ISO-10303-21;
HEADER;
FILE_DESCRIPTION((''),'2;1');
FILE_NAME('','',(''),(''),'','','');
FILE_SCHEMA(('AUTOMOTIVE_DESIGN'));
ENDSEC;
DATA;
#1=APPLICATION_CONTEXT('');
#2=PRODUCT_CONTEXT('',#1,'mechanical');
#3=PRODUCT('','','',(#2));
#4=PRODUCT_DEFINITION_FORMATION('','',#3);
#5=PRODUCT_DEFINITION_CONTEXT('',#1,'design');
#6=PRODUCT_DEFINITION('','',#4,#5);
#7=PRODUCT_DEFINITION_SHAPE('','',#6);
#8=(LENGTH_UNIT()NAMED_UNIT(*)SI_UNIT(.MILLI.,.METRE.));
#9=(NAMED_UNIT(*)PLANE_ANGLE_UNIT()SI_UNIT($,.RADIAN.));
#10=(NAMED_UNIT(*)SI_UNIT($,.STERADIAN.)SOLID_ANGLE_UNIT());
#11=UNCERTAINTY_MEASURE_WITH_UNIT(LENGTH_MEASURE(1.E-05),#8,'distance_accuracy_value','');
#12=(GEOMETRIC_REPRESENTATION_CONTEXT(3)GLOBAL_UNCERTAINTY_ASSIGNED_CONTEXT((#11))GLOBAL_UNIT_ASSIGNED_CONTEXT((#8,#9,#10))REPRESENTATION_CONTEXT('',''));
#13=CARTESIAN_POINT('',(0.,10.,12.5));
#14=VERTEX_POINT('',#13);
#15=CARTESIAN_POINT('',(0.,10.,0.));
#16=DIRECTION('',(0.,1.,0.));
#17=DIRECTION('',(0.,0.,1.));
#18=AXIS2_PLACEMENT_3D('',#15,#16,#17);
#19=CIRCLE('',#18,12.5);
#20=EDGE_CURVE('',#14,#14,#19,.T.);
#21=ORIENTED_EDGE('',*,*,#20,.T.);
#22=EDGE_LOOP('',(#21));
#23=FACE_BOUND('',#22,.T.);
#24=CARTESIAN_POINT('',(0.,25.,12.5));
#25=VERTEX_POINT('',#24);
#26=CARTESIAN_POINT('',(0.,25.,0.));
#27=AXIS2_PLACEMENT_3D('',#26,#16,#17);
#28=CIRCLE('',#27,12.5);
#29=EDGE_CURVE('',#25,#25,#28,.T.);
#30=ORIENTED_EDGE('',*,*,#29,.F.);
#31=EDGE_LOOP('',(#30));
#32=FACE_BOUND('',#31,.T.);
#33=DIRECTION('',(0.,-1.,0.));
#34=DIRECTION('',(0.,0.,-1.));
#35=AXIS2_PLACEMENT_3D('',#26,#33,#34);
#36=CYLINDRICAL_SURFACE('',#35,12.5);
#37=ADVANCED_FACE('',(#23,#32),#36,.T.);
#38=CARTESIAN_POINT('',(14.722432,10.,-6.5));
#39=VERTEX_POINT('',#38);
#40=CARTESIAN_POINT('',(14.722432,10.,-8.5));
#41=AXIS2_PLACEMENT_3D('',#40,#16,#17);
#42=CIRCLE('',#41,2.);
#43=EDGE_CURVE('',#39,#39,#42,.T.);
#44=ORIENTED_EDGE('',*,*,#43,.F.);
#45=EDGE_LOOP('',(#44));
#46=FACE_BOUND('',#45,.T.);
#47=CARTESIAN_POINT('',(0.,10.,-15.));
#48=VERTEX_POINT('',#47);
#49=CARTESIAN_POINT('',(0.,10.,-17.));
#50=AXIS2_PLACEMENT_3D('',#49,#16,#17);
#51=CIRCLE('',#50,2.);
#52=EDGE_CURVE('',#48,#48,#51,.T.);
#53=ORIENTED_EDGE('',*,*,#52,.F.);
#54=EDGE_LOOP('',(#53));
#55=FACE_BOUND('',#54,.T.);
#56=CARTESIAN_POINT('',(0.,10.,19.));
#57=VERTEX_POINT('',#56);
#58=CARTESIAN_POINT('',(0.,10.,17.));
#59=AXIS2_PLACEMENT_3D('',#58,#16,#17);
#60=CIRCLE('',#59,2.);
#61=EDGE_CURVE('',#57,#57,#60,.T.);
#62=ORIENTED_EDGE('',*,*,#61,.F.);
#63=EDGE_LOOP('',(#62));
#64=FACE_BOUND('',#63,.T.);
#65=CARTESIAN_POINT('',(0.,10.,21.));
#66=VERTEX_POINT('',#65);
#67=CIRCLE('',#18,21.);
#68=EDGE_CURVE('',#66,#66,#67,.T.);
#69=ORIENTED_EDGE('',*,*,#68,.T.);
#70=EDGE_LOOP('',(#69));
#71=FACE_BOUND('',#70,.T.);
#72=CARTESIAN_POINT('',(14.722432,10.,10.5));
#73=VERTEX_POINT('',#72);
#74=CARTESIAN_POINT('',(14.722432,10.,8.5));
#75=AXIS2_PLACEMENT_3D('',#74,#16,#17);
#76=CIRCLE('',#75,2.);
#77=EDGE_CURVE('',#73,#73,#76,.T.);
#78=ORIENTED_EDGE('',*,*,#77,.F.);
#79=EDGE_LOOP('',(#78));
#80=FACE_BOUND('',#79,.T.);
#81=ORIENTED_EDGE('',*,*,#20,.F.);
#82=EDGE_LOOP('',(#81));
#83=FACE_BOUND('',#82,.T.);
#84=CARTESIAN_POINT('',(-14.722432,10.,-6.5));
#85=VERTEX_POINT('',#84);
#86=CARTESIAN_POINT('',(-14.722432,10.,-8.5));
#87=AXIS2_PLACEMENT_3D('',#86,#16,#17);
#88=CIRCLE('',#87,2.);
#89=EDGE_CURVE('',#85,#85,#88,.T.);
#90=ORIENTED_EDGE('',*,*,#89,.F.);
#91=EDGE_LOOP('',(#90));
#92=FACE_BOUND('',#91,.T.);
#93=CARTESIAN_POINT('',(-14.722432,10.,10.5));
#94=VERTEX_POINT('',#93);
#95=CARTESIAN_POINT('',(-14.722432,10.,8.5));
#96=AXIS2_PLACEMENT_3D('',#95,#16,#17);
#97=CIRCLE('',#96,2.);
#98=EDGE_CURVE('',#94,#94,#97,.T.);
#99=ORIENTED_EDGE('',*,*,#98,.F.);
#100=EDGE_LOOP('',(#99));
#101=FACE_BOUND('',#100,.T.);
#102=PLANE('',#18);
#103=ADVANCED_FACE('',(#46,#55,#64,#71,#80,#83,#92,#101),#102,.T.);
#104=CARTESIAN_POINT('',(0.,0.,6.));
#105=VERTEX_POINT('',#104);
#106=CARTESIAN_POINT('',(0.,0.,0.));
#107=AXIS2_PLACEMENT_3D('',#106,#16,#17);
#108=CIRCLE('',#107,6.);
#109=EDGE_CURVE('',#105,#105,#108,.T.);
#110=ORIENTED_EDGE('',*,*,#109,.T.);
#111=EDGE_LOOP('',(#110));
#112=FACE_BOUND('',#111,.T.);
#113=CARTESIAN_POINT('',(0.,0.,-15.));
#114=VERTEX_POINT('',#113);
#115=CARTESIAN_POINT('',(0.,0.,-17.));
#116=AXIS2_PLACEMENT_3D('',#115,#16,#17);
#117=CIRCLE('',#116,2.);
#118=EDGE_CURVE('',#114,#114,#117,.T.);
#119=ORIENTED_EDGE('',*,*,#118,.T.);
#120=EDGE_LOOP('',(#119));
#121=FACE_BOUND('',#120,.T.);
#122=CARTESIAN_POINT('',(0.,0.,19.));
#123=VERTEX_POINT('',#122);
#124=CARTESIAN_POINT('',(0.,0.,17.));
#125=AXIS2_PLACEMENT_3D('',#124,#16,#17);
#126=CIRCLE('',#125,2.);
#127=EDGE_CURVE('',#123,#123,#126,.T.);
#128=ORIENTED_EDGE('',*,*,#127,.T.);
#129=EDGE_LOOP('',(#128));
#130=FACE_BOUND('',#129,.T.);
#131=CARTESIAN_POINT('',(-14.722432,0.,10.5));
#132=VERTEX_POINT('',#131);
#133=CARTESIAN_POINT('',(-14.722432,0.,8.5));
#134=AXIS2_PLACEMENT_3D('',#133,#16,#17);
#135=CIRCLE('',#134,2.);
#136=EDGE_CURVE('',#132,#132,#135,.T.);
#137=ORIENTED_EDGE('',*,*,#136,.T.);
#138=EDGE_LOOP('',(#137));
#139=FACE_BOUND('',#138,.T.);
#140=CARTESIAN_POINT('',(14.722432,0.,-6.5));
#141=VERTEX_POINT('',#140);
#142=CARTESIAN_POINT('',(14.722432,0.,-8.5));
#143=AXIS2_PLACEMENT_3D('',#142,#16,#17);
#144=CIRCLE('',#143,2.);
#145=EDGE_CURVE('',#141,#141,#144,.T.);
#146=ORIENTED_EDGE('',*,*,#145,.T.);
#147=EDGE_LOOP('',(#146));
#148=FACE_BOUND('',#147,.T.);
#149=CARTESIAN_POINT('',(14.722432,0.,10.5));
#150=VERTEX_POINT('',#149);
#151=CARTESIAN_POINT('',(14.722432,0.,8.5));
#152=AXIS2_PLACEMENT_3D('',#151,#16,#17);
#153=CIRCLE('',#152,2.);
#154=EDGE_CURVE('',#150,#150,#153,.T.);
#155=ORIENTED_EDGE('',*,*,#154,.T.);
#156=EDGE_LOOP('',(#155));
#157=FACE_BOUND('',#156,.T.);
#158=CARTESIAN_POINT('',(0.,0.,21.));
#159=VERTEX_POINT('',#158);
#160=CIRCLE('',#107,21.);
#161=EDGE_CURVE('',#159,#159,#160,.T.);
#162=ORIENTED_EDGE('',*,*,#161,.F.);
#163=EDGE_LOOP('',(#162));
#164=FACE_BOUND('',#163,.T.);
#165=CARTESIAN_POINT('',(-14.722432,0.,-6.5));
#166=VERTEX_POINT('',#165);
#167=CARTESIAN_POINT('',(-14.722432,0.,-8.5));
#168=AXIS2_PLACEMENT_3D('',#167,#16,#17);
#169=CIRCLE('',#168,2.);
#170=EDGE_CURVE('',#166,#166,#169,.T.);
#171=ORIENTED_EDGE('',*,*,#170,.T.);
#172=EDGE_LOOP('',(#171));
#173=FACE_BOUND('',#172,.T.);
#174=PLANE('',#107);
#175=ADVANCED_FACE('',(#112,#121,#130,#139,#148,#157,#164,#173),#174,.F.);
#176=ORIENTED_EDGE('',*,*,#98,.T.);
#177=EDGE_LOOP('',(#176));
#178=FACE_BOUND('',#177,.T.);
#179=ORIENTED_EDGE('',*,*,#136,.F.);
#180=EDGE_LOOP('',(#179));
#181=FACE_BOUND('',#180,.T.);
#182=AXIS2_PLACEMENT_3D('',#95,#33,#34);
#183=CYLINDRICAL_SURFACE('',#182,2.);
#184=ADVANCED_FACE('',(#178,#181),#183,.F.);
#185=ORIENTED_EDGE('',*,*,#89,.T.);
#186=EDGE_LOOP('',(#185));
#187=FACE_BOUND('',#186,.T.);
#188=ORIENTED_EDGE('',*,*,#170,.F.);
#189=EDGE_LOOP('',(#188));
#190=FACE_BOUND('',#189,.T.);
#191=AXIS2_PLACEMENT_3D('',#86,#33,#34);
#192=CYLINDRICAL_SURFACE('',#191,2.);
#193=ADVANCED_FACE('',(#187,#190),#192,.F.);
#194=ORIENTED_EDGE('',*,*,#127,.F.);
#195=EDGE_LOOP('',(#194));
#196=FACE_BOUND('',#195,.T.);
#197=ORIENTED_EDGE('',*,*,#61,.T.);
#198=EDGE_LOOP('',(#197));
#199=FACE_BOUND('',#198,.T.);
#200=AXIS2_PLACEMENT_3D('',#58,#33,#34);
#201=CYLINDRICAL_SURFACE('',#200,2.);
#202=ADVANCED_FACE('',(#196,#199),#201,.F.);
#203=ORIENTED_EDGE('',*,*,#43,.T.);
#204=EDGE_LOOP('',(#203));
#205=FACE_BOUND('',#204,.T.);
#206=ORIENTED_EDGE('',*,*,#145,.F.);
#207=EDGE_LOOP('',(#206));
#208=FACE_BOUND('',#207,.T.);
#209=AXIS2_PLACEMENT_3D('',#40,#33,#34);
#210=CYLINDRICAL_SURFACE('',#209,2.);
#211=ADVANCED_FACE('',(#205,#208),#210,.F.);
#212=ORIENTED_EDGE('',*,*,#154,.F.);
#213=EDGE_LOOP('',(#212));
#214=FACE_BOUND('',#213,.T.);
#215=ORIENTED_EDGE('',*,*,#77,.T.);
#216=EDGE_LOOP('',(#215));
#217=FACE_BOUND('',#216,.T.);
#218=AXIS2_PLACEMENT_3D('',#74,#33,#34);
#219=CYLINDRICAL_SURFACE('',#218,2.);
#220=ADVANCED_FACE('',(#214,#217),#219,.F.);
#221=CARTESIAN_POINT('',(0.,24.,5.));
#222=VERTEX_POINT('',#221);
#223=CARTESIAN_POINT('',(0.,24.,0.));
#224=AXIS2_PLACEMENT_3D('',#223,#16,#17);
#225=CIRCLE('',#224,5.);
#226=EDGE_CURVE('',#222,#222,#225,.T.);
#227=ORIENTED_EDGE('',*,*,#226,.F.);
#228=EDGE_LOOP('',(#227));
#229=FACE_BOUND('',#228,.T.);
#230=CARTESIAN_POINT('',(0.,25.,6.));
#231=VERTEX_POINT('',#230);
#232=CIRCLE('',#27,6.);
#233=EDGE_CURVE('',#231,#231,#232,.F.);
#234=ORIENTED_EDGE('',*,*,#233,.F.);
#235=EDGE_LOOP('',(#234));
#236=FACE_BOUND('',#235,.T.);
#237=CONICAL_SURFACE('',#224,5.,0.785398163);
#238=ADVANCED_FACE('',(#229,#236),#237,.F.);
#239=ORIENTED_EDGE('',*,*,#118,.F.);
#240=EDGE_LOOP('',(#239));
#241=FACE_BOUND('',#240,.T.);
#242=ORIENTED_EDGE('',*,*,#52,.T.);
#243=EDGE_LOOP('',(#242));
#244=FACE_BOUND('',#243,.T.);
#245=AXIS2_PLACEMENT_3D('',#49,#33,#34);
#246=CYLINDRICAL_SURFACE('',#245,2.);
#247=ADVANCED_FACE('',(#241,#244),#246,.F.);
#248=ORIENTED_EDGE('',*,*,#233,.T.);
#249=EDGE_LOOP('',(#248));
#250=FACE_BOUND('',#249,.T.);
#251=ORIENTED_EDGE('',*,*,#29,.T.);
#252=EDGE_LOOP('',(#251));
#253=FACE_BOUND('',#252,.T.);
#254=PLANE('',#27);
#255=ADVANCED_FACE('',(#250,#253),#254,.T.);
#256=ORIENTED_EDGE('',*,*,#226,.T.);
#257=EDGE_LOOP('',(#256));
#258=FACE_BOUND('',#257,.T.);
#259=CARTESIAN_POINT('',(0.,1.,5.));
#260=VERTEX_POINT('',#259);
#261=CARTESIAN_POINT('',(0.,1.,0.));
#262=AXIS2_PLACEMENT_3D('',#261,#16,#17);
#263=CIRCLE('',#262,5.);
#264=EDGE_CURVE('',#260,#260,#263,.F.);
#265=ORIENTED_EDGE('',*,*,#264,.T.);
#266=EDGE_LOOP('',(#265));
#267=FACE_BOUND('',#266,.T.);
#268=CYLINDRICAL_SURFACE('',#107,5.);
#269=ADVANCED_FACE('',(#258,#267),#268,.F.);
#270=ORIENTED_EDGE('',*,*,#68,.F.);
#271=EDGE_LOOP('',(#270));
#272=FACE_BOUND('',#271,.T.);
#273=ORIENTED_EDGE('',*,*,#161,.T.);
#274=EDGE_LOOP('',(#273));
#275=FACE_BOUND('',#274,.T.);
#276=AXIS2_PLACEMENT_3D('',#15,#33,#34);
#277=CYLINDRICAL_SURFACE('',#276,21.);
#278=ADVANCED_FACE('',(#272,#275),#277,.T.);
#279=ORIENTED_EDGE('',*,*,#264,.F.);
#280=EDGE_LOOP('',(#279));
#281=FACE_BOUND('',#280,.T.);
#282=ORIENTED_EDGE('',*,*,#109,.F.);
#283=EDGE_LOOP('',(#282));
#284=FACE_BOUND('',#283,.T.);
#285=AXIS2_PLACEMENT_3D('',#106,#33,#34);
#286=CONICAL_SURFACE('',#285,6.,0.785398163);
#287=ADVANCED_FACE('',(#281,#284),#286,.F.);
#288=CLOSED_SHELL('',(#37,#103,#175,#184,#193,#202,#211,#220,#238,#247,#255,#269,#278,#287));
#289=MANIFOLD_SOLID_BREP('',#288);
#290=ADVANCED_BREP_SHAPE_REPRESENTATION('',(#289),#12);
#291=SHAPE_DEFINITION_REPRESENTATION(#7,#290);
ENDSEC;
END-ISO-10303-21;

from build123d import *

# Parameters (mm, degrees)
SKETCH1_R           = 21
SKETCH1_R_2         = 2
BOSS_EXTRUDE1_DEPTH = 10
SKETCH2_R           = 12.5
BOSS_EXTRUDE2_DEPTH = 15
SKETCH3_R           = 5
CUT_EXTRUDE1_DEPTH  = 39.820097888
CHAMFER1_SIZE       = 1


with BuildPart() as part:
    # Sketch1 → Boss-Extrude1 (new body)
    with BuildSketch(Plane(origin=(0, 0, 0), x_dir=(1, 0, 0), z_dir=(0, 1, 0))):
        with Locations(Location((0, 0, 0), (0, 0, 270))):
            Circle(SKETCH1_R)
        with Locations(Location((0, 17, 0), (0, 0, 270))):
            Circle(SKETCH1_R_2, mode=Mode.SUBTRACT)
        with Locations(Location((14.722431864, 8.5, 0), (0, 0, 270))):
            Circle(SKETCH1_R_2, mode=Mode.SUBTRACT)
        with Locations(Location((14.722431864, -8.5, 0), (0, 0, 270))):
            Circle(SKETCH1_R_2, mode=Mode.SUBTRACT)
        with Locations(Location((0, -17, 0), (0, 0, 270))):
            Circle(SKETCH1_R_2, mode=Mode.SUBTRACT)
        with Locations(Location((-14.722431864, -8.5, 0), (0, 0, 270))):
            Circle(SKETCH1_R_2, mode=Mode.SUBTRACT)
        with Locations(Location((-14.722431864, 8.5, 0), (0, 0, 270))):
            Circle(SKETCH1_R_2, mode=Mode.SUBTRACT)
    extrude(amount=BOSS_EXTRUDE1_DEPTH)

    # Sketch2 → Boss-Extrude2 (add)
    with BuildSketch(Plane(origin=(0, 10, 0), x_dir=(1, 0, 0), z_dir=(0, 1, 0))):
        with Locations(Location((0, 0, 0), (0, 0, 270))):
            Circle(SKETCH2_R)
    extrude(amount=BOSS_EXTRUDE2_DEPTH)

    # Sketch3 → Cut-Extrude1 (cut, through all)
    with BuildSketch(Plane(origin=(0, 25, 0), x_dir=(1, 0, 0), z_dir=(0, 1, 0))):
        with Locations(Location((0, 0, 0), (0, 0, 270))):
            Circle(SKETCH3_R)
    extrude(amount=-CUT_EXTRUDE1_DEPTH, mode=Mode.SUBTRACT)

    # Chamfer1
    chamfer1_edges = [part.edges().sort_by_distance(p)[0] for p in [
        (0, 0, -5),
        (0, 25, -5),
    ]]
    chamfer(chamfer1_edges, length=CHAMFER1_SIZE)


solid = part.part
